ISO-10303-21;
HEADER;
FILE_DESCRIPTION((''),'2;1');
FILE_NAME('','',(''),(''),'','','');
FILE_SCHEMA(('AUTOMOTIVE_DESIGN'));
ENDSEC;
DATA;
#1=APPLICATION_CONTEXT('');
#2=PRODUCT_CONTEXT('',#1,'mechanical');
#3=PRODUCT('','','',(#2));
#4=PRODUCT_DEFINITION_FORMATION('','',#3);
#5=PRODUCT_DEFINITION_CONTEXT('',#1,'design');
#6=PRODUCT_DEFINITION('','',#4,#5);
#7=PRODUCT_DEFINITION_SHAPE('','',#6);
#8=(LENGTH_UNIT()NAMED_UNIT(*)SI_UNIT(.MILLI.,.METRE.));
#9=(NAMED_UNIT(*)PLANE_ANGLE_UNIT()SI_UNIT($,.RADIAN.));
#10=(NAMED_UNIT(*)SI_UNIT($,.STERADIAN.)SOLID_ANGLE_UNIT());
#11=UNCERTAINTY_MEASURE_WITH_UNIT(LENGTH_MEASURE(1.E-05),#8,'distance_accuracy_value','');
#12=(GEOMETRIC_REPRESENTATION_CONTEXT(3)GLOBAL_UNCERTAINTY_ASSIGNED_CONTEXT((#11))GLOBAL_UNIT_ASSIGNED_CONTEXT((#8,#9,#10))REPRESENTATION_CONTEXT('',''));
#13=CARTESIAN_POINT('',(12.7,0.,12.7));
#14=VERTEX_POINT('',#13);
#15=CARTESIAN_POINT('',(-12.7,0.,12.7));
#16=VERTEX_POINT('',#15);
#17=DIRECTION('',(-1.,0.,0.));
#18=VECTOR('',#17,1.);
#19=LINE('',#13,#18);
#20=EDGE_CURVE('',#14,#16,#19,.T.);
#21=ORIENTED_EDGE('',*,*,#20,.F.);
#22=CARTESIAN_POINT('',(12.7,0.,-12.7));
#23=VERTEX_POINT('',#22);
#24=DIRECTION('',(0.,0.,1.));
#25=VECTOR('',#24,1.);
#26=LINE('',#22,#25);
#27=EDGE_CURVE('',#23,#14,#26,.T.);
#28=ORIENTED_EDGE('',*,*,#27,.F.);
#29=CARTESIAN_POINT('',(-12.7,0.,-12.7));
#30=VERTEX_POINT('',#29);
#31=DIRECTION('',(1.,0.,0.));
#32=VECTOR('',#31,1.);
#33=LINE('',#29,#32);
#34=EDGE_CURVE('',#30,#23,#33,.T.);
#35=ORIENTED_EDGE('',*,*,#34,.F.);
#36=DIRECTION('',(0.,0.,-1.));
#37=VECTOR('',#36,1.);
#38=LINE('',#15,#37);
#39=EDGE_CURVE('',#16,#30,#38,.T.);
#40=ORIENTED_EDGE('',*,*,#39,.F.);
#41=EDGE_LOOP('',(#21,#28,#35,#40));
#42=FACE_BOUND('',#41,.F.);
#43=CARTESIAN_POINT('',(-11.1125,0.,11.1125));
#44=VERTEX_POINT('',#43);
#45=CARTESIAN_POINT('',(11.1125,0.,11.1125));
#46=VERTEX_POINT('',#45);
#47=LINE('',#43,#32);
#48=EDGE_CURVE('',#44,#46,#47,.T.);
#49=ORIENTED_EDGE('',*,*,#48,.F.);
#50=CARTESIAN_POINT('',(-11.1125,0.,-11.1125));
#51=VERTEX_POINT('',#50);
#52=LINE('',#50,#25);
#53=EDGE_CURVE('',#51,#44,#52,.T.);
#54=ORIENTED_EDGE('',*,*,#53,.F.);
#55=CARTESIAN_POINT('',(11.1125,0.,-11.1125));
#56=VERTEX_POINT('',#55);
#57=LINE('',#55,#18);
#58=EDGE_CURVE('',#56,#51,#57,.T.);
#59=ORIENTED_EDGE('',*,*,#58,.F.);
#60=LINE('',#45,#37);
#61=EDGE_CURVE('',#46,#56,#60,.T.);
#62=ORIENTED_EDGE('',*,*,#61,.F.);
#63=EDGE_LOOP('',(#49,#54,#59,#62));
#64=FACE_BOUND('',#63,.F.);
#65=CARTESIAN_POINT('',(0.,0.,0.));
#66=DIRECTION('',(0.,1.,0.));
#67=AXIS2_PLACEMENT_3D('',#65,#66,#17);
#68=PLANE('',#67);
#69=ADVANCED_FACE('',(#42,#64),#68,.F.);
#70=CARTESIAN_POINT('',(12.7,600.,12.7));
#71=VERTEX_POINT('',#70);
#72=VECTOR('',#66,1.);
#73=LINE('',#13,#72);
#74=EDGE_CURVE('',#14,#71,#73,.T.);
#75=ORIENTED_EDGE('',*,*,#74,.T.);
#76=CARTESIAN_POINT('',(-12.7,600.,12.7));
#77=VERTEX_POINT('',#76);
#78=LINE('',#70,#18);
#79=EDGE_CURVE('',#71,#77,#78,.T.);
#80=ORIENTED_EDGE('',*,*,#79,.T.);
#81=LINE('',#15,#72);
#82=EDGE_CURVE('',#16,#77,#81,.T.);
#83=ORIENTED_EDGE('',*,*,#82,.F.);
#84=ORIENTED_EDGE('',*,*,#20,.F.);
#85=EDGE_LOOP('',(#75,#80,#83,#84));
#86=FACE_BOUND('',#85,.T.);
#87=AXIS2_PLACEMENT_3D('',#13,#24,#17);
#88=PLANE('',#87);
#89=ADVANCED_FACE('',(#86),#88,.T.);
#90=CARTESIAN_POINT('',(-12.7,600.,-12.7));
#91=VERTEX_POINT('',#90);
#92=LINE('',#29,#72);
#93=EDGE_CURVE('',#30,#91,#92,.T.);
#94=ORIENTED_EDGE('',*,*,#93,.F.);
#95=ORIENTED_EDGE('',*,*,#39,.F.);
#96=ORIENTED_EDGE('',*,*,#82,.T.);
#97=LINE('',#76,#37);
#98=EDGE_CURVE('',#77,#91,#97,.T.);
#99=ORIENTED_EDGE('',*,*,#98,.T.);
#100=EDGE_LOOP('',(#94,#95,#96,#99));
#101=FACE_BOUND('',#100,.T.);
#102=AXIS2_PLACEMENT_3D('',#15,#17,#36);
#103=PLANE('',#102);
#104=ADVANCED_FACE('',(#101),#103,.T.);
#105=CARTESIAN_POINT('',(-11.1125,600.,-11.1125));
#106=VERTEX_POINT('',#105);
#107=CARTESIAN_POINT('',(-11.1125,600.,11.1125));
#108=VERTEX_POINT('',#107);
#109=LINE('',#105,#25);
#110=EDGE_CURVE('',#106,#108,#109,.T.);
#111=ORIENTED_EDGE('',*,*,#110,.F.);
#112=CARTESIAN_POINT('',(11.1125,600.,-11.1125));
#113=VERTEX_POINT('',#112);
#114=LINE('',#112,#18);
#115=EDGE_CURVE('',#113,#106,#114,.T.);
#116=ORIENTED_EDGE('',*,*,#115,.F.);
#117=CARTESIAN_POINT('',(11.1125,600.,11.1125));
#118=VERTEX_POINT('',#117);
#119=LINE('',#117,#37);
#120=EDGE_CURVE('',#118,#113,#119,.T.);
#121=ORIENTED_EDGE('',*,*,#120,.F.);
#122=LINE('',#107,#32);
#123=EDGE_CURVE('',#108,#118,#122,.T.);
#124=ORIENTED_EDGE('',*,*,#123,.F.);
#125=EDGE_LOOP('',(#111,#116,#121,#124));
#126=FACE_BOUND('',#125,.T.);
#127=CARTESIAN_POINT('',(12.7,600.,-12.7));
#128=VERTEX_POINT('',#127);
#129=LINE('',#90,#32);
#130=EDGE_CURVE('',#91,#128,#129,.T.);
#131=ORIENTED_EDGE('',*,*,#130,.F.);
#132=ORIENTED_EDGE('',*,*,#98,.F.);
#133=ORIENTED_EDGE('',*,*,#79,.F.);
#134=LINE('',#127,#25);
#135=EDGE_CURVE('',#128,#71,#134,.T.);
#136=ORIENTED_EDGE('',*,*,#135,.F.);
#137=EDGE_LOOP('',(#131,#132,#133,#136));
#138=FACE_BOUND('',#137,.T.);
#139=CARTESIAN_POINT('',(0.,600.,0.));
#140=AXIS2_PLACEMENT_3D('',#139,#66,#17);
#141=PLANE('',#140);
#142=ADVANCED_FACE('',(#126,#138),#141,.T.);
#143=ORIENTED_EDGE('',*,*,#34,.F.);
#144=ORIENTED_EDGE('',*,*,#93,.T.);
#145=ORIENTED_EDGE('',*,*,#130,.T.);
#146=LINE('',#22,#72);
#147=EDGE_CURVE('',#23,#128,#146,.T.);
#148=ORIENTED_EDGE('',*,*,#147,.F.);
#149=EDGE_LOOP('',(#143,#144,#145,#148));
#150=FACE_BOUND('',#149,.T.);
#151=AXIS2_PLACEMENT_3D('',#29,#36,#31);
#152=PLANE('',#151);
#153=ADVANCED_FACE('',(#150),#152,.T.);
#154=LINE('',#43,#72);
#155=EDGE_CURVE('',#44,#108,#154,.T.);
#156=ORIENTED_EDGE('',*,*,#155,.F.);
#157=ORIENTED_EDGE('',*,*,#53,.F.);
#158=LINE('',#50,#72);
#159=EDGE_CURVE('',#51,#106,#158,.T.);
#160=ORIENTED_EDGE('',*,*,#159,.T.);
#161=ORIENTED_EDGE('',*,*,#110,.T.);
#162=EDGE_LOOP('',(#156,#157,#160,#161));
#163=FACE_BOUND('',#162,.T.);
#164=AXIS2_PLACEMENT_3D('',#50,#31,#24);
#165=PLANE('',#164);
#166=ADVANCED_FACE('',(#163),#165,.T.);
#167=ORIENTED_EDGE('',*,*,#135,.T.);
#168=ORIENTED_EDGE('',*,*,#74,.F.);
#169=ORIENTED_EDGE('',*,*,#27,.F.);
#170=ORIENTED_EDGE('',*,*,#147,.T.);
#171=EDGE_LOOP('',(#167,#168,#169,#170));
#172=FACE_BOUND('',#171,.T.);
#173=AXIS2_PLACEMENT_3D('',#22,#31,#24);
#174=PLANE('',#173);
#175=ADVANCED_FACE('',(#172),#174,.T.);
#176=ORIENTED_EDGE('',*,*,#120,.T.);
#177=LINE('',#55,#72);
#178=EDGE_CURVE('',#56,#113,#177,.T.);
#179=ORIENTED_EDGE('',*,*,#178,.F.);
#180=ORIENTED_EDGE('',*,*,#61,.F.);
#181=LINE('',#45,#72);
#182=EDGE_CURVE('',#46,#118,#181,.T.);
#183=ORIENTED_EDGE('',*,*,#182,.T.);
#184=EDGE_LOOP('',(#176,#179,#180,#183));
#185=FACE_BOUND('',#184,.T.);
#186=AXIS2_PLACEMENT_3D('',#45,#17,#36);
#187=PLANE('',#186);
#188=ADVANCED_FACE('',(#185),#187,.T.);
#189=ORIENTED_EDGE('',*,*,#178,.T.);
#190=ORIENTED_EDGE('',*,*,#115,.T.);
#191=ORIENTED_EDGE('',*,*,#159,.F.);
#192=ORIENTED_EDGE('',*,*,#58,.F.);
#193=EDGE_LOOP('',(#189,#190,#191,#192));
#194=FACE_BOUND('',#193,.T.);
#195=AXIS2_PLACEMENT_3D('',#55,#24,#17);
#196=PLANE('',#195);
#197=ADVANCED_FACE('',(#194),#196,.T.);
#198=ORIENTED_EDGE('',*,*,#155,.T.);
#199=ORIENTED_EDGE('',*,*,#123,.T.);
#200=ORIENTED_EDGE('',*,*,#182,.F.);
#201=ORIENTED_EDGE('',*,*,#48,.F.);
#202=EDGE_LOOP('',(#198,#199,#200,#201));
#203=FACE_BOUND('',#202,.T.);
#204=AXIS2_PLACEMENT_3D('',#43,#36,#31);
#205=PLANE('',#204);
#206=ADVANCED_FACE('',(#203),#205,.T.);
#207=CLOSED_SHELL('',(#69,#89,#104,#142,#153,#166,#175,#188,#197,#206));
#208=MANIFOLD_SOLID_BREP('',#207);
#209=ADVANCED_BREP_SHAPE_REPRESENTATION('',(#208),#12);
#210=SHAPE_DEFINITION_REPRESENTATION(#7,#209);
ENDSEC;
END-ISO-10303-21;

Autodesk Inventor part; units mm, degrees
ref_plane "YZ Plane" through (0, 0, 0) normal (1, 0, 0) x (0, 1, 0)
ref_plane "XZ Plane" through (0, 0, 0) normal (0, 1, 0) x (-1, 0, 0)
ref_plane "XY Plane" through (0, 0, 0) normal (0, 0, 1) x (1, 0, 0)
sketch "Sketch1" plane through (0, 0, 0) normal (0, 1, 0) x (-1, 0, 0)
  point P0 (0, 0)
sketch "Sketch2" plane through (0, 0, 0) normal (0, 1, 0) x (-1, 0, 0)
  line L0 (12.7, 12.7) -> (12.7, -12.7)
  line L1 (12.7, -12.7) -> (-12.7, -12.7)
  line L2 (-12.7, -12.7) -> (-12.7, 12.7)
  line L3 (-12.7, 12.7) -> (12.7, 12.7)
  line L4 (12.7, 12.7) -> (-12.7, -12.7) construction
  line L5 (12.7, -12.7) -> (-12.7, 12.7) construction
  line L6 (-11.1125, 11.1125) -> (-11.1125, -11.1125)
  line L7 (-11.1125, -11.1125) -> (11.1125, -11.1125)
  line L8 (11.1125, -11.1125) -> (11.1125, 11.1125)
  line L9 (11.1125, 11.1125) -> (-11.1125, 11.1125)
  line L10 (-11.1125, 11.1125) -> (11.1125, -11.1125) construction
  line L11 (-11.1125, -11.1125) -> (11.1125, 11.1125) construction
  point P0 (0, 0)
  dimension "d0" = 25.4
  dimension "d1" = 25.4
  dimension "d2" = 1.5875
  dimension "d3" = 1.5875
extrude "Extrusion1" add sketch "Sketch2" along normal blind 600
properties part number "60cmSteelTube" material "Aluminum 6061"
